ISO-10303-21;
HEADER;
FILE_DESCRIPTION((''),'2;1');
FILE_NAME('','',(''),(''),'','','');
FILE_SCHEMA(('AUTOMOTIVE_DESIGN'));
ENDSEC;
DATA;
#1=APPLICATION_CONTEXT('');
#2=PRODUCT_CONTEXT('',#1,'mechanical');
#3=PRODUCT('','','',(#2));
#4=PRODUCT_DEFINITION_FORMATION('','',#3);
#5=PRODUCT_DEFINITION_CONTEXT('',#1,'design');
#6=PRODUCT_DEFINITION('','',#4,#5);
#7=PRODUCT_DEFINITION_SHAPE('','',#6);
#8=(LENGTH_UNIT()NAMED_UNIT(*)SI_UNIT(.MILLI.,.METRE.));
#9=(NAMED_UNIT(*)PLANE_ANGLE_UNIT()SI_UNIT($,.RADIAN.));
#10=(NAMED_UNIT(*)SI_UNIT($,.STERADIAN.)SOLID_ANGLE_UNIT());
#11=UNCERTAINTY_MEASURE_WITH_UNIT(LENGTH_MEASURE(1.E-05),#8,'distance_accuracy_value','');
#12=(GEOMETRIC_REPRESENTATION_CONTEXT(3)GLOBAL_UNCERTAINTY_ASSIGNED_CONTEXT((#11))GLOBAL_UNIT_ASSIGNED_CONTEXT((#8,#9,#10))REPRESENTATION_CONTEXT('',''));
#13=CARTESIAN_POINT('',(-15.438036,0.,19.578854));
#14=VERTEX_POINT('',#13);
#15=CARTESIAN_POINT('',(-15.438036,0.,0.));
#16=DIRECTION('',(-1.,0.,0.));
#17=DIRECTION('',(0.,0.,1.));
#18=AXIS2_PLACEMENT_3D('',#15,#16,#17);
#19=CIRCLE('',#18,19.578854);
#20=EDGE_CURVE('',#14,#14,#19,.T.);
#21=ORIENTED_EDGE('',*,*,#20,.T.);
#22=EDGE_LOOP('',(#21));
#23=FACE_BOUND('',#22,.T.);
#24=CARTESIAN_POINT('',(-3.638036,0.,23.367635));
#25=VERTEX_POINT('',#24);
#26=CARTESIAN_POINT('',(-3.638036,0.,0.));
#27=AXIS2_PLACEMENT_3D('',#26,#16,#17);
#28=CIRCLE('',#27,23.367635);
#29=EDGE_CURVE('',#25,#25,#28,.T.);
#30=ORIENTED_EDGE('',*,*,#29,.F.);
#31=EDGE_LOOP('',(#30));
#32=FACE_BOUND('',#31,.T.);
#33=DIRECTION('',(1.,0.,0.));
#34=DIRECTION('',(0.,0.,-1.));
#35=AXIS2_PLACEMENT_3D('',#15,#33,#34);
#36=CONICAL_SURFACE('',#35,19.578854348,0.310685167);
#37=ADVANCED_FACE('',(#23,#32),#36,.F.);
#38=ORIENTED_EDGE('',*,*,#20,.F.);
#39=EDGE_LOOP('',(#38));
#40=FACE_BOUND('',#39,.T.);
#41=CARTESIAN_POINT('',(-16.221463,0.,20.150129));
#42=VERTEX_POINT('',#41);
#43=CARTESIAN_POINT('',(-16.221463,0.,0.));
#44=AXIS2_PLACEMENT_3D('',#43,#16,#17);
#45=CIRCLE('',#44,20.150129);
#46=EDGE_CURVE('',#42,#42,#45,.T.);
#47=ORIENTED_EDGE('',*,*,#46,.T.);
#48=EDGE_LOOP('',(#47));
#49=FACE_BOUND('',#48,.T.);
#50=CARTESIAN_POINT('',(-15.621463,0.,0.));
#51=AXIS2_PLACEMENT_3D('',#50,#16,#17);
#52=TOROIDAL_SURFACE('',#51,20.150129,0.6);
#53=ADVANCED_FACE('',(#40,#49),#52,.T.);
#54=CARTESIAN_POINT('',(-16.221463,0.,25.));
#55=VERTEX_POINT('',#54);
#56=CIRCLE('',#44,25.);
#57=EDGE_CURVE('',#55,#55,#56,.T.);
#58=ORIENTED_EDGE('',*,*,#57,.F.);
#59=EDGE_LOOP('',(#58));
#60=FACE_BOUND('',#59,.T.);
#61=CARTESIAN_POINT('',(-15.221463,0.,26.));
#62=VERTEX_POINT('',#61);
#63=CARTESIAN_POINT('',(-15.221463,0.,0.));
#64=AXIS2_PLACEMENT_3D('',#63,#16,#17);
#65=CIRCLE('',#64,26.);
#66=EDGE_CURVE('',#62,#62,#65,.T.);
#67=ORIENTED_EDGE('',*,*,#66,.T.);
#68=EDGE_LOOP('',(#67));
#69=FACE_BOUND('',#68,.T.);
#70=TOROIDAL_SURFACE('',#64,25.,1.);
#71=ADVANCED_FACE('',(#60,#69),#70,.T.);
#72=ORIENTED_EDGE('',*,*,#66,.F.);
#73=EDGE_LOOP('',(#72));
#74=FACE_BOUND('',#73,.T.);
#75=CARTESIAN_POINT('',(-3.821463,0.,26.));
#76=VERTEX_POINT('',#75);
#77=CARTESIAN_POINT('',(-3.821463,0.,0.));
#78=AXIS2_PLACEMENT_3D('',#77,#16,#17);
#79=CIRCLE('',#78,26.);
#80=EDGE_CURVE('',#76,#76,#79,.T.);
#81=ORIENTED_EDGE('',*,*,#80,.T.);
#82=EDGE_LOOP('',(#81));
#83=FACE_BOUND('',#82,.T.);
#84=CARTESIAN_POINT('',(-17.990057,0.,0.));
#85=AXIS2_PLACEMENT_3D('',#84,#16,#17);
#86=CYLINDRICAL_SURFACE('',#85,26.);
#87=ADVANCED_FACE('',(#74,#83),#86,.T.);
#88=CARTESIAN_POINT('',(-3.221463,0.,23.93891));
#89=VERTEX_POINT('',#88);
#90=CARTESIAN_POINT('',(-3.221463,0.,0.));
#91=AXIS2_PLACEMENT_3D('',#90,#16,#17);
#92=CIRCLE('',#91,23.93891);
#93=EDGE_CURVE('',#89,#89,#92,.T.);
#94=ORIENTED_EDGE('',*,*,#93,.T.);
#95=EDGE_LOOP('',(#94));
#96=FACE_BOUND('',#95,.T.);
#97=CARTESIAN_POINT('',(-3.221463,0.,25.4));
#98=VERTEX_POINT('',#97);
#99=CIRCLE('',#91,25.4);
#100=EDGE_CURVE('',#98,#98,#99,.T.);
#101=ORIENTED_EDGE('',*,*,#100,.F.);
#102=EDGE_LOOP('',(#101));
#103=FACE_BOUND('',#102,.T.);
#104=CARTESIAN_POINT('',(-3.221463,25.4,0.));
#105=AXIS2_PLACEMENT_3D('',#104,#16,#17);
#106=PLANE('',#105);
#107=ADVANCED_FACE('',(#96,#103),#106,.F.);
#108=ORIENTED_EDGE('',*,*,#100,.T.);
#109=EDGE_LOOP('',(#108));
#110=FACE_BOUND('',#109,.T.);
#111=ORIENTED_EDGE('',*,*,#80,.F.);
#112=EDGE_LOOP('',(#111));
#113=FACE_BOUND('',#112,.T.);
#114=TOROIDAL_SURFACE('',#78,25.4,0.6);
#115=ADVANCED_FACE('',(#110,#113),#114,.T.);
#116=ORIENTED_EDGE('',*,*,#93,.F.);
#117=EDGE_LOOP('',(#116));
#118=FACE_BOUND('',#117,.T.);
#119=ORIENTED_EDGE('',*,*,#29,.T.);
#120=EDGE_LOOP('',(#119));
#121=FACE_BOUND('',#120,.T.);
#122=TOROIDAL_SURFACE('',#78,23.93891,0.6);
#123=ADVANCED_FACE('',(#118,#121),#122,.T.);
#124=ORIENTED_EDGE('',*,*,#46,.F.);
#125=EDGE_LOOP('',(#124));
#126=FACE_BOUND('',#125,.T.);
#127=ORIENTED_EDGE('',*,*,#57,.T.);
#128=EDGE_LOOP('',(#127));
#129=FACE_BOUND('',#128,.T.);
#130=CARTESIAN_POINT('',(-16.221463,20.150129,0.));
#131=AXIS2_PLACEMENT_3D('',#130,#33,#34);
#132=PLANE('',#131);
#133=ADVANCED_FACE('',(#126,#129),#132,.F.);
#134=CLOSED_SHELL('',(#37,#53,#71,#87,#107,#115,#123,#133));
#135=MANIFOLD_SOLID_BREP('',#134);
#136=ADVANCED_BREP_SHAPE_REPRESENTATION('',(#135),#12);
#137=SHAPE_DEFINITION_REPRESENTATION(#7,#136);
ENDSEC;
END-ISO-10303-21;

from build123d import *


with BuildPart() as part:
    # Esquisse1 → Base-Révolution (revolve)
    with BuildSketch(Plane.XY, mode=Mode.PRIVATE) as base_r_volution_sk:
        with BuildLine():
            Line((-15.221462778, 26), (-3.821462778, 26))
            ThreePointArc((-3.821462778, 26), (-3.397198709, 25.824264069), (-3.221462778, 25.4))
            Line((-3.221462778, 25.4), (-3.221462778, 23.938910031))
            ThreePointArc((-3.221462778, 23.938910031), (-3.33666592, 23.585396231), (-3.638036135, 23.367635433))
            Line((-3.638036135, 23.367635433), (-15.438036135, 19.578854348))
            ThreePointArc((-15.438036135, 19.578854348), (-15.974976578, 19.665332089), (-16.221462778, 20.150128946))
            Line((-16.221462778, 20.150128946), (-16.221462778, 25))
            ThreePointArc((-16.221462778, 25), (-15.928569559, 25.707106781), (-15.221462778, 26))
        make_face()
    revolve(base_r_volution_sk.sketch.rotate(Axis((-17.990056753, 0, 0), (1, 0, 0)), 90), axis=Axis((-17.990056753, 0, 0), (1, 0, 0)))


solid = part.part
